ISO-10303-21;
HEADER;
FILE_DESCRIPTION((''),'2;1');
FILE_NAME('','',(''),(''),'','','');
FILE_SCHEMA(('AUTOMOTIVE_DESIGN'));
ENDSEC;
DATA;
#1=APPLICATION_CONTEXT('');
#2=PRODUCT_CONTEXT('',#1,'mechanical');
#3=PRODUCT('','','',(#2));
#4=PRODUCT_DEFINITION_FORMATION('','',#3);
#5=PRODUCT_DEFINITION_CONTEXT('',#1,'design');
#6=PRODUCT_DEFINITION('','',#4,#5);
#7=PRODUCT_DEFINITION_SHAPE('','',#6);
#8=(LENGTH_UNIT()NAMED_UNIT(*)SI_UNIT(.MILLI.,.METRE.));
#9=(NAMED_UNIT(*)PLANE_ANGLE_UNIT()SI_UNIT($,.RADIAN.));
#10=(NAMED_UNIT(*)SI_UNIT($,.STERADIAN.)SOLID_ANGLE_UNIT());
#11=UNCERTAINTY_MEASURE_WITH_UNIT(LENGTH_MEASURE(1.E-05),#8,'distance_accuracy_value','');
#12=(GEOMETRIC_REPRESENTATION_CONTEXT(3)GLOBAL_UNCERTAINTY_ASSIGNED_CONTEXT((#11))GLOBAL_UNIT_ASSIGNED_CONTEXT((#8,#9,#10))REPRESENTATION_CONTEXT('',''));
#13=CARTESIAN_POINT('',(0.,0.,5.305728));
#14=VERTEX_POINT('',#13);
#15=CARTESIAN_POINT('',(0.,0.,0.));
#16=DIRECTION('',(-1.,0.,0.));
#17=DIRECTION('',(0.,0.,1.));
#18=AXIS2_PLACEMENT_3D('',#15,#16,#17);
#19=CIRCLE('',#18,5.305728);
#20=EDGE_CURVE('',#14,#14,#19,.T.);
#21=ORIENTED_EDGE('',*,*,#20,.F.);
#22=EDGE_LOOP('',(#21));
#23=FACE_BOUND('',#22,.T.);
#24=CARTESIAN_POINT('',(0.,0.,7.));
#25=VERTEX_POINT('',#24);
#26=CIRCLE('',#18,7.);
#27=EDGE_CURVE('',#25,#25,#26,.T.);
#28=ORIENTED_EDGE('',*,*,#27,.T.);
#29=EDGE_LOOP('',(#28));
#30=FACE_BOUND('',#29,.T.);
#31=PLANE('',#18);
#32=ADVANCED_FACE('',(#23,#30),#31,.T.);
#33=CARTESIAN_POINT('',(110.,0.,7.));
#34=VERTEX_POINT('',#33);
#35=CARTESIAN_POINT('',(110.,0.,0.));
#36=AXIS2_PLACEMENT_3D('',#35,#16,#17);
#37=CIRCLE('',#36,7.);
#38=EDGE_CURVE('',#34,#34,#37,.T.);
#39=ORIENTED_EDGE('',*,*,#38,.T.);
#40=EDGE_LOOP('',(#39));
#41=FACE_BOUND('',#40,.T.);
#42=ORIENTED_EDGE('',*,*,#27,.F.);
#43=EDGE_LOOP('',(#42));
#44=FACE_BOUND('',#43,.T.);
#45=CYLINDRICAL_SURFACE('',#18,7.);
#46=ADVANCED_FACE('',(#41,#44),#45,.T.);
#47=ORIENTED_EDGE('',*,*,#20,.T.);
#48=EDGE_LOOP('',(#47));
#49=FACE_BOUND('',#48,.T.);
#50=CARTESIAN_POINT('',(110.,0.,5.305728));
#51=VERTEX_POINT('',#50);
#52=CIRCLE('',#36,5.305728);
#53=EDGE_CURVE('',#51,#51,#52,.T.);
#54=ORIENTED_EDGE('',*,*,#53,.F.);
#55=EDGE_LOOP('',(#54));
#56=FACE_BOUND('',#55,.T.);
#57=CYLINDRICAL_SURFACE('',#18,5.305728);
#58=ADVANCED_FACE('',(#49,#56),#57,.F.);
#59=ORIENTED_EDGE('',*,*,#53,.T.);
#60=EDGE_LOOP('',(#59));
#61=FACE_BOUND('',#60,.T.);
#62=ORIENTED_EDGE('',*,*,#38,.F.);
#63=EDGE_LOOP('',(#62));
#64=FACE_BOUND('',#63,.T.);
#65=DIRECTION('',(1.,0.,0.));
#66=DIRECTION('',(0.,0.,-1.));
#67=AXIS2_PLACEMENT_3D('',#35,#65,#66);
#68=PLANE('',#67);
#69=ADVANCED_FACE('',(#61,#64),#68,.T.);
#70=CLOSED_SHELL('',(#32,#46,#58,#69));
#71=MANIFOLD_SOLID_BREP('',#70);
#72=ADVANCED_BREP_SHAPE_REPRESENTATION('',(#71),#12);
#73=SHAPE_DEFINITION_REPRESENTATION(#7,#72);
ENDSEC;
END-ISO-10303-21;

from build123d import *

# Parameters (mm, degrees)
SZKIC1_W = 110
SZKIC1_H = 1.694271821


with BuildPart() as part:
    # Szkic1 → Obrót1 (revolve)
    with BuildSketch(Plane.XY, mode=Mode.PRIVATE) as obr_t1_sk:
        with Locations((55, 6.152864089)):
            Rectangle(SZKIC1_W, SZKIC1_H)
    revolve(obr_t1_sk.sketch.rotate(Axis((0, 0, 0), (1, 0, 0)), 90), axis=Axis((0, 0, 0), (1, 0, 0)))


solid = part.part
